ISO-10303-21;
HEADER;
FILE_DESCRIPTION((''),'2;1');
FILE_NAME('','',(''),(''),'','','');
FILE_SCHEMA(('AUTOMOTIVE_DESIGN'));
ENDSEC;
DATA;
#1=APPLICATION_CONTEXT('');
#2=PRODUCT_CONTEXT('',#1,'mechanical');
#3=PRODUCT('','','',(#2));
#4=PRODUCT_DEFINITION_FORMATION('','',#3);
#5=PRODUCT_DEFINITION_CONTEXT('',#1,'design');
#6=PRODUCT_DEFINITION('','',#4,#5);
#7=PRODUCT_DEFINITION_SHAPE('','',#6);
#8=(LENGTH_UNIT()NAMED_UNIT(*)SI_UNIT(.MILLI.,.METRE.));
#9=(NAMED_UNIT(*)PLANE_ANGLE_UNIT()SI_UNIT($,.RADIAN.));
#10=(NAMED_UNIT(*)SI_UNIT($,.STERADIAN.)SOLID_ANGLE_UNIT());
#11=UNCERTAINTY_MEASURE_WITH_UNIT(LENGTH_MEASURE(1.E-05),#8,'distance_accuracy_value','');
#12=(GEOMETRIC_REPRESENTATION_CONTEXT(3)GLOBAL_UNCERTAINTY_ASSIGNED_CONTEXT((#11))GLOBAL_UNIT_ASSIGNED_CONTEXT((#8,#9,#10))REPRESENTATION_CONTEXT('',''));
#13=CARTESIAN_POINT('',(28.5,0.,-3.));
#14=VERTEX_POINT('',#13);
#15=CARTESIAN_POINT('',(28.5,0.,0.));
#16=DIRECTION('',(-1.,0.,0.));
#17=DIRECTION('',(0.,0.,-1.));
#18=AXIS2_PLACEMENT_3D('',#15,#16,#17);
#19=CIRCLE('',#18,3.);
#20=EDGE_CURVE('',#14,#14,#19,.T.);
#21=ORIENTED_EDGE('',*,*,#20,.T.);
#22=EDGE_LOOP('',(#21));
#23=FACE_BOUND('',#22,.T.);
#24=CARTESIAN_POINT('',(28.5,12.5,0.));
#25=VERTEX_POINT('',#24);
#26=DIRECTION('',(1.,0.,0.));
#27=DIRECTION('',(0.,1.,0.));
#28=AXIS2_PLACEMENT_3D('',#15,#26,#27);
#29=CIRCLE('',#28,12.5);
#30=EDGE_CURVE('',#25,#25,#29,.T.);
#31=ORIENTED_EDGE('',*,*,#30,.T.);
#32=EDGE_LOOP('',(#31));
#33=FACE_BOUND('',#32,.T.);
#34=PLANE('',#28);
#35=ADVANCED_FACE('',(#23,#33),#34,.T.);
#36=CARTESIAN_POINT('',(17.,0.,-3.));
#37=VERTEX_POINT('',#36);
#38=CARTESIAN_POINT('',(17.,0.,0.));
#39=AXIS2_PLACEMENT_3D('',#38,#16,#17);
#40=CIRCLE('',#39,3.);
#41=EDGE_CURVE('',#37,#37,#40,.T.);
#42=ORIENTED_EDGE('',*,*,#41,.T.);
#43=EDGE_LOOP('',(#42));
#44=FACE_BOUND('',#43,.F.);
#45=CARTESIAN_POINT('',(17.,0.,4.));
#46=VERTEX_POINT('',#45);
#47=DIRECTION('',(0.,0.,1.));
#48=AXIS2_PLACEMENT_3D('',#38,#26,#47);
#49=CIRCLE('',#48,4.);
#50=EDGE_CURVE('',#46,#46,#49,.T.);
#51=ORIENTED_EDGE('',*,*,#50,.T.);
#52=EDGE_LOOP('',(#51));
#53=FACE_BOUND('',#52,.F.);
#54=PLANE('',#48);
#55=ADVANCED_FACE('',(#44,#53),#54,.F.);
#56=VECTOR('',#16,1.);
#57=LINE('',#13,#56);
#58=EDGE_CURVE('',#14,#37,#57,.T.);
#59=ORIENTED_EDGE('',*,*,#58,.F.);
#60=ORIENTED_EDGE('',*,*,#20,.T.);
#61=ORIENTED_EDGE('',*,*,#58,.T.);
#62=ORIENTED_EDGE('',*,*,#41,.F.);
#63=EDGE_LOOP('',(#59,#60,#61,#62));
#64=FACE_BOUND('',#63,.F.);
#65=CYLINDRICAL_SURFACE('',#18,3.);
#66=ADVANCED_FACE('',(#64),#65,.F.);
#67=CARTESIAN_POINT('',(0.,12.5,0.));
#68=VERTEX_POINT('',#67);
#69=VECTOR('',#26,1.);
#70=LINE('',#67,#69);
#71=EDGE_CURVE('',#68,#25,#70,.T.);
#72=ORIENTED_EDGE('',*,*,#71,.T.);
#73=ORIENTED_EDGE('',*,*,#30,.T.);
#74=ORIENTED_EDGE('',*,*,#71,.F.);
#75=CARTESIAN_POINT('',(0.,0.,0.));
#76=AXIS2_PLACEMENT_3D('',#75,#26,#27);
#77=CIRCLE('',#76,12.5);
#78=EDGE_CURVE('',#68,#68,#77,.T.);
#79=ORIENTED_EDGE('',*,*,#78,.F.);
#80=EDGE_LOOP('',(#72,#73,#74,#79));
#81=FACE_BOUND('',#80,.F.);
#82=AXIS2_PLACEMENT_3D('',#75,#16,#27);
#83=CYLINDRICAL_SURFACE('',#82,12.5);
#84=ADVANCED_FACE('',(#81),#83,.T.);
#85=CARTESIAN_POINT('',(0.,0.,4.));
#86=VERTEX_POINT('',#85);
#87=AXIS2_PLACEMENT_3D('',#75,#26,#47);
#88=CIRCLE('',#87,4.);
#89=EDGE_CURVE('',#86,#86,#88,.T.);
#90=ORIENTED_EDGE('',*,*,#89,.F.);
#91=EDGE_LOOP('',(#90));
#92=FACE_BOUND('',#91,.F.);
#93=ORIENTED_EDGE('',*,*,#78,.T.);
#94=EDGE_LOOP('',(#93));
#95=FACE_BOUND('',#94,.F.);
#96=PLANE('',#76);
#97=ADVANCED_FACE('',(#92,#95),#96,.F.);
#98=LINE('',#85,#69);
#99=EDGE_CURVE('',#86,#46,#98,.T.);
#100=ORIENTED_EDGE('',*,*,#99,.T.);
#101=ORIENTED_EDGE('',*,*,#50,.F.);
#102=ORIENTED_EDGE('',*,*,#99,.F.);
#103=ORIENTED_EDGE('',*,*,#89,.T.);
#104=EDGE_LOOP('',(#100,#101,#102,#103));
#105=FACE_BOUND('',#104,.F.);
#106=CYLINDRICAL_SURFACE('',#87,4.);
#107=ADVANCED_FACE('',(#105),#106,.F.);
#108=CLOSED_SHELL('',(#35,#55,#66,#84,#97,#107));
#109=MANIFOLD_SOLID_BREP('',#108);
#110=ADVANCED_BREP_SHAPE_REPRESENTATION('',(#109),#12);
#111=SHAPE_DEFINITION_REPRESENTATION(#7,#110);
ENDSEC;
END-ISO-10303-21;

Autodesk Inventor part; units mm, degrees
ref_plane "YZ Plane" through (0, 0, 0) normal (1, 0, 0) x (0, 1, 0)
ref_plane "XZ Plane" through (0, 0, 0) normal (0, 1, 0) x (-1, 0, 0)
ref_plane "XY Plane" through (0, 0, 0) normal (0, 0, 1) x (1, 0, 0)
sketch "スケッチ1" plane through (0, 0, 0) normal (1, 0, 0) x (0, 1, 0)
  circle A0 centre (0, 0) radius 12.5
  dimension "d0" = 25
extrude "押し出し1" add sketch "スケッチ1" along normal blind 28.5
sketch "スケッチ2" plane through (28.5, 0, 0) normal (1, 0, 0) x (0, 0, -1)
  point P0 (0, 0)
  point P1 (0, 0)
hole "穴1" at (28.5, 0, 0) direction (-1, 0, 0) diameter 6 end through all
sketch "スケッチ3" plane through (0, 0, 0) normal (-1, 0, 0) x (0, 0, 1)
  circle A0 centre (0, 0) radius 3 projected
hole "穴2" at (0, 0, 0) direction (1, 0, 0) diameter 8 depth 17
properties part number "OC25S-6-8" material "アルミニウム 6061"
